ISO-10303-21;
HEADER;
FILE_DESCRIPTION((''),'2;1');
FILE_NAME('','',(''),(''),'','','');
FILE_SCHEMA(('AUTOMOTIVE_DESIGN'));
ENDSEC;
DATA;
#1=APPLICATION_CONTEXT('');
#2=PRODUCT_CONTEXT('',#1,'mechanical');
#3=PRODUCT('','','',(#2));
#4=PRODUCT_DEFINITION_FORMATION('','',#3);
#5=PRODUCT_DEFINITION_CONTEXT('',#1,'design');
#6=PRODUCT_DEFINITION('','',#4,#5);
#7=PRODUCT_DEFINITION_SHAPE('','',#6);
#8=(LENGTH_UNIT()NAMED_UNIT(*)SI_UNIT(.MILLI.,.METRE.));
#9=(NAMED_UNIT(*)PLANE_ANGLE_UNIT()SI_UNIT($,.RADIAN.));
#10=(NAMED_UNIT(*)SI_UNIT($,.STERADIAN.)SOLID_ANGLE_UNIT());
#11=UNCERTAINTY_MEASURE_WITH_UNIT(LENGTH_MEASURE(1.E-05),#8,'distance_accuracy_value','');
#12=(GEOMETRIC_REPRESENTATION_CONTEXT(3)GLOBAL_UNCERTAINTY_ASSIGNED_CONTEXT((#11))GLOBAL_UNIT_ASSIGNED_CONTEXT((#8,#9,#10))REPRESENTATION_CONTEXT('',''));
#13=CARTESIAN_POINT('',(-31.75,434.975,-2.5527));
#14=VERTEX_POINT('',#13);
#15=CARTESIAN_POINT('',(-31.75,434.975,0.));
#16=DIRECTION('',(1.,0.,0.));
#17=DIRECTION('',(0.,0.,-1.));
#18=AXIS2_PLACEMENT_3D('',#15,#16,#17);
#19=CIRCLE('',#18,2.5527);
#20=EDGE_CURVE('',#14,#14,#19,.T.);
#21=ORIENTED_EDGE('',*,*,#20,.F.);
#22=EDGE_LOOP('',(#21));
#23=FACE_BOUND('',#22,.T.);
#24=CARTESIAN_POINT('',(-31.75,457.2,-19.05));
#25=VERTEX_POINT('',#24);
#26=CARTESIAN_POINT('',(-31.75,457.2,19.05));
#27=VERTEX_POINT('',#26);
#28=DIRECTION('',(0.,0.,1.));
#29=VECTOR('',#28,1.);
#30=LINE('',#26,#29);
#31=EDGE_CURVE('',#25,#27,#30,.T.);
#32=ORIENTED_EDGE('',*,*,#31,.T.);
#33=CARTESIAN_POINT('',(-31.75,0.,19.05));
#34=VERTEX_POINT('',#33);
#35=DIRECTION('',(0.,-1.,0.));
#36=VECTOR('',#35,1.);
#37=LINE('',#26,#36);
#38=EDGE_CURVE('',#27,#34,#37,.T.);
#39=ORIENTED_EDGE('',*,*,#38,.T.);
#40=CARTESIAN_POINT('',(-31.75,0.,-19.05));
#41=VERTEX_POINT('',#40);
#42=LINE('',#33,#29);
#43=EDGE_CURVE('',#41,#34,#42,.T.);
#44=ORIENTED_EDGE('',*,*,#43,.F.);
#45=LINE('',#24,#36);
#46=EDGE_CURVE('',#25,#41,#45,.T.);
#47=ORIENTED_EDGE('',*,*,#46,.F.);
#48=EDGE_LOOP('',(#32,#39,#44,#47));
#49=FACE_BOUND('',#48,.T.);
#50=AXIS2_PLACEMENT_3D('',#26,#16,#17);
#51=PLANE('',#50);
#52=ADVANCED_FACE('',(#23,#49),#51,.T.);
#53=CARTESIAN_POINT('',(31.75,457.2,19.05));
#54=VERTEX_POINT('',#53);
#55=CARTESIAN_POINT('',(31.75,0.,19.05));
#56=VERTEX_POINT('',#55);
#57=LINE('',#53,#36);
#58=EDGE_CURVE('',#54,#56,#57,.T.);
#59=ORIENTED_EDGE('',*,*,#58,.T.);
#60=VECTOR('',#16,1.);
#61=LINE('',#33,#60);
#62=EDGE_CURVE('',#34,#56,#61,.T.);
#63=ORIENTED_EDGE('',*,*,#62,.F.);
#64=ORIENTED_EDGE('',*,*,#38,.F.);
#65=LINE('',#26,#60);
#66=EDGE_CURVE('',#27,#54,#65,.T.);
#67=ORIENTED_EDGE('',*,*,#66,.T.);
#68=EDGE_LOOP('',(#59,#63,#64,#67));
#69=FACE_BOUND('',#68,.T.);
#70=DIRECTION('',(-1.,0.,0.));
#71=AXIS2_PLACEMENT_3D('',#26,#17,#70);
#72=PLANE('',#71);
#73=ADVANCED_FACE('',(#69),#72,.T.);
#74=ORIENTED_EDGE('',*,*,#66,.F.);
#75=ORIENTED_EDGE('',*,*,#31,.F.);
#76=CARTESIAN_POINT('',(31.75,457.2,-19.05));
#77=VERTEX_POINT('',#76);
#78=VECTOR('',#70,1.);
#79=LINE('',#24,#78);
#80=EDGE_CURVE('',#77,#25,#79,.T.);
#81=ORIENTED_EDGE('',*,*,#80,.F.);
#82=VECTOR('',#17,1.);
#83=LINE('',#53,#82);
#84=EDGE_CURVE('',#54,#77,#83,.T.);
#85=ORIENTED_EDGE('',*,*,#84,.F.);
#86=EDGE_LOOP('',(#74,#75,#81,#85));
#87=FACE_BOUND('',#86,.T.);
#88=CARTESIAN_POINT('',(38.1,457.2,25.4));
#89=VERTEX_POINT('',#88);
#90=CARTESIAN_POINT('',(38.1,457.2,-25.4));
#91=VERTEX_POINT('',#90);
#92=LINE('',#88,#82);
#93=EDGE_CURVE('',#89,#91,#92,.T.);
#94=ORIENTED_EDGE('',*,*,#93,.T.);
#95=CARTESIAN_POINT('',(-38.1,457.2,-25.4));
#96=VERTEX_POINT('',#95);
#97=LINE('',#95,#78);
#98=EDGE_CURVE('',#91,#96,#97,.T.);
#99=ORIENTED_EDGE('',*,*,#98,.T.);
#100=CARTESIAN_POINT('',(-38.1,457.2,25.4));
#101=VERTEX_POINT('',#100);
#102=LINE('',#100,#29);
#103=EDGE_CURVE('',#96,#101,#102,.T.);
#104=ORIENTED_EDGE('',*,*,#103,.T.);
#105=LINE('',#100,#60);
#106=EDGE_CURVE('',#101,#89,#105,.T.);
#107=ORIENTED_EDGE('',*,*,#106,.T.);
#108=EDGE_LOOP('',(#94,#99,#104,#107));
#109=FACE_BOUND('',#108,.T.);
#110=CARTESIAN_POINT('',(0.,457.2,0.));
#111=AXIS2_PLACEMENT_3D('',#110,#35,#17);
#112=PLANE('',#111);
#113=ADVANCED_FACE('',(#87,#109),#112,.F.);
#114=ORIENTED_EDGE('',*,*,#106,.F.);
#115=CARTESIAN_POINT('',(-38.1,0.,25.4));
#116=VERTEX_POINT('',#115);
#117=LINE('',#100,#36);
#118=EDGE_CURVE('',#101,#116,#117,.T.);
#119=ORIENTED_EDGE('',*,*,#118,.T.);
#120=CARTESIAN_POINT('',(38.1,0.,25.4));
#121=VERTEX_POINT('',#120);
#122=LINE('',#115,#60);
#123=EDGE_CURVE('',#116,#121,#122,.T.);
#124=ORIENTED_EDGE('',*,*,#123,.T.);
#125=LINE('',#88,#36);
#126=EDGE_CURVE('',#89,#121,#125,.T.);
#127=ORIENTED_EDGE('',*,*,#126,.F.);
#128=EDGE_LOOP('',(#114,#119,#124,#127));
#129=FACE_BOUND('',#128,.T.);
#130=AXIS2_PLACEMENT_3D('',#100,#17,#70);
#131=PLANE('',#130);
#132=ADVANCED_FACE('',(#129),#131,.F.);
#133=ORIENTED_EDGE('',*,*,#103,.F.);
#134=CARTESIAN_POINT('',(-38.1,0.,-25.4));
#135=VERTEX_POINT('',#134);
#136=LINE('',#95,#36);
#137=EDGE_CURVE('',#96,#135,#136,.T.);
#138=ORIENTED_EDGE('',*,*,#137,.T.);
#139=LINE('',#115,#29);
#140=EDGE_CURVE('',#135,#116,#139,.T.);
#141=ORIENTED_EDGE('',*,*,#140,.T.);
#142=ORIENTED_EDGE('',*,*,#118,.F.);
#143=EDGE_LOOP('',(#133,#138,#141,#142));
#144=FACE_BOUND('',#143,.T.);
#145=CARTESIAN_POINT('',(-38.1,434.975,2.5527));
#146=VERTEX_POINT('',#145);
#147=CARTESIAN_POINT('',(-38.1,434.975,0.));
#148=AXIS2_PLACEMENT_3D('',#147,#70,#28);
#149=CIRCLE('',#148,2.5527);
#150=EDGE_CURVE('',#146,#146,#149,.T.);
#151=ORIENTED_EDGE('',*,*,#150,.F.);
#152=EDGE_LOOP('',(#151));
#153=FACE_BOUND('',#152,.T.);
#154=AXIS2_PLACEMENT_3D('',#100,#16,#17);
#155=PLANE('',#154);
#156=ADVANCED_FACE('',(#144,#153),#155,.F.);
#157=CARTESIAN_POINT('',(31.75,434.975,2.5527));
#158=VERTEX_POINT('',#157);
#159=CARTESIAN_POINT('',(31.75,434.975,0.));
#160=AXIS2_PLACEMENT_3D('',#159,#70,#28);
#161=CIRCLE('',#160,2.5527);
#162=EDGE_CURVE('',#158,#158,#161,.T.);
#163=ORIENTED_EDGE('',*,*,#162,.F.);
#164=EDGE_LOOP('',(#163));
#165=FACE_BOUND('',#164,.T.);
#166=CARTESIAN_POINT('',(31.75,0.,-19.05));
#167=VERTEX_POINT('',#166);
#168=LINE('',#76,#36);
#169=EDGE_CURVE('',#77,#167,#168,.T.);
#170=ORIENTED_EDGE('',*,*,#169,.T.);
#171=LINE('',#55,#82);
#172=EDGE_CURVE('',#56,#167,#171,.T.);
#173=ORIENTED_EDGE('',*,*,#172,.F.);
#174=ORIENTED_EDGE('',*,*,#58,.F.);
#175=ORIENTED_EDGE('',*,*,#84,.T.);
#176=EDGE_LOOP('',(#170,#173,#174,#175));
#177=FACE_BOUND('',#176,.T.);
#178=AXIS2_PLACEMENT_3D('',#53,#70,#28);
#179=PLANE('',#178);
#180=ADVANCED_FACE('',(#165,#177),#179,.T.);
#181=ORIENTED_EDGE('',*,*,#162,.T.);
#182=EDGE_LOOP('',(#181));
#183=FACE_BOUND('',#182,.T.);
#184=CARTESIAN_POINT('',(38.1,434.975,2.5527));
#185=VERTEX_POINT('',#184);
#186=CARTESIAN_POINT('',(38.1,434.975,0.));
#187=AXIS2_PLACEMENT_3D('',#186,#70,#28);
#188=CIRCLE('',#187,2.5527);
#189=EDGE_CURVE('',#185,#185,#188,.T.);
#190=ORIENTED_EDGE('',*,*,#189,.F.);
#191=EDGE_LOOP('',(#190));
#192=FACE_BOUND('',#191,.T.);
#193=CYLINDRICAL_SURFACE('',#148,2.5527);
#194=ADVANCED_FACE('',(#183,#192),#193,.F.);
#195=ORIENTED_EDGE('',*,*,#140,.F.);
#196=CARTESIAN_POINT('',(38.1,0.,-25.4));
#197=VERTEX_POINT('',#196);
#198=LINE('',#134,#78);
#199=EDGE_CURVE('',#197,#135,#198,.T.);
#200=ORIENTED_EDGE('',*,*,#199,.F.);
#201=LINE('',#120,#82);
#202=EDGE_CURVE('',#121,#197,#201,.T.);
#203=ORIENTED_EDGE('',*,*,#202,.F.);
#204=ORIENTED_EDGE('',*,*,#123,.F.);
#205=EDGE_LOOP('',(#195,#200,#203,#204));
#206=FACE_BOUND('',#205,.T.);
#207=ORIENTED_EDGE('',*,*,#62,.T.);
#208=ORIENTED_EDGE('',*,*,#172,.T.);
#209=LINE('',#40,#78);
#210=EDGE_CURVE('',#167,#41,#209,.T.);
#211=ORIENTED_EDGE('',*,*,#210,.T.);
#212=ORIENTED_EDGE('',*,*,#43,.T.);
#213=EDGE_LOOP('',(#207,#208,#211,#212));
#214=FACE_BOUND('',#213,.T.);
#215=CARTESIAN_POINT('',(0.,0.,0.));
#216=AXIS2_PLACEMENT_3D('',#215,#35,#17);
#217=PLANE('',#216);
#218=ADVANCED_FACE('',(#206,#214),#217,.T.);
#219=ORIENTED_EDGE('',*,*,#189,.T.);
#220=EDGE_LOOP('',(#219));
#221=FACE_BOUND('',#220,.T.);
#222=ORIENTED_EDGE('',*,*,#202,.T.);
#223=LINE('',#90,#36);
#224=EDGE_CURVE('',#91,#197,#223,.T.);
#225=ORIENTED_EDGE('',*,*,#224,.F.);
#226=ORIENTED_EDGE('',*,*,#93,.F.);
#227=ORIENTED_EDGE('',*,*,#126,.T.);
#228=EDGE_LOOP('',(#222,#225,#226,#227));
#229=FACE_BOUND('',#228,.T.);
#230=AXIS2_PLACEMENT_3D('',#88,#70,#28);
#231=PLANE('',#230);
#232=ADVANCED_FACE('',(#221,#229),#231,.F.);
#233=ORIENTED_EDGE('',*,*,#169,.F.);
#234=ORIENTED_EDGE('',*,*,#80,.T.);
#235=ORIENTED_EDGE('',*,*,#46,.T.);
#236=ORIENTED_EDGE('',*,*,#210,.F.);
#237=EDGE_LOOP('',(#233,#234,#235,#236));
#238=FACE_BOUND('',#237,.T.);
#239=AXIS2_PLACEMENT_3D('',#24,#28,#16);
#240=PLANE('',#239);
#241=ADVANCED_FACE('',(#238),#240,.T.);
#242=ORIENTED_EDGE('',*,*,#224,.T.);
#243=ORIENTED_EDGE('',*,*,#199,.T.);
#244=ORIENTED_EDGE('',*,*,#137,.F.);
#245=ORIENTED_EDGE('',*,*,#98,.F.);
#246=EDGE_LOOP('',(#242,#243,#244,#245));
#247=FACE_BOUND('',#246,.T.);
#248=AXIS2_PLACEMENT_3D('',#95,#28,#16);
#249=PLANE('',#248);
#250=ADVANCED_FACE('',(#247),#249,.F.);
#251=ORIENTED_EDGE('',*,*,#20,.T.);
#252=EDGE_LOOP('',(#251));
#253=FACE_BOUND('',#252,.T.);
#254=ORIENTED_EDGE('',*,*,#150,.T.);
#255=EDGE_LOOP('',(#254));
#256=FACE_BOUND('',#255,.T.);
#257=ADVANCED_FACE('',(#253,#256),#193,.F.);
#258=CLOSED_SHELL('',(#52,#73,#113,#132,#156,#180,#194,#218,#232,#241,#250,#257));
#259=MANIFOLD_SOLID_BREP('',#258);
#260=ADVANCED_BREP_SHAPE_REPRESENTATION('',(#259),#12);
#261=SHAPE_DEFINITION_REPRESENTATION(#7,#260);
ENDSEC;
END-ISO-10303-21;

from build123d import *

# Parameters (mm, degrees)
SKETCH1_W               = 76.2
SKETCH1_H               = 50.8
SKETCH1_W_2             = 63.5
SKETCH1_H_2             = 38.1
BOSS_EXTRUDE1_DEPTH     = 457.2
F_1_4_20_TAPPED_HOLE1_D = 5.1054


with BuildPart() as part:
    # Sketch1 → Boss-Extrude1 (new body)
    with BuildSketch(Plane(origin=(0, 0, 0), x_dir=(1, 0, 0), z_dir=(0, 1, 0))):
        Rectangle(SKETCH1_W, SKETCH1_H)
        Rectangle(SKETCH1_W_2, SKETCH1_H_2, mode=Mode.SUBTRACT)
    extrude(amount=BOSS_EXTRUDE1_DEPTH)

    # 1/4-20 Tapped Hole1 (through all)
    with Locations(Plane.ZY.offset(38.1)):
        with Locations((0, 434.975)):
            Hole(F_1_4_20_TAPPED_HOLE1_D / 2)


solid = part.part
